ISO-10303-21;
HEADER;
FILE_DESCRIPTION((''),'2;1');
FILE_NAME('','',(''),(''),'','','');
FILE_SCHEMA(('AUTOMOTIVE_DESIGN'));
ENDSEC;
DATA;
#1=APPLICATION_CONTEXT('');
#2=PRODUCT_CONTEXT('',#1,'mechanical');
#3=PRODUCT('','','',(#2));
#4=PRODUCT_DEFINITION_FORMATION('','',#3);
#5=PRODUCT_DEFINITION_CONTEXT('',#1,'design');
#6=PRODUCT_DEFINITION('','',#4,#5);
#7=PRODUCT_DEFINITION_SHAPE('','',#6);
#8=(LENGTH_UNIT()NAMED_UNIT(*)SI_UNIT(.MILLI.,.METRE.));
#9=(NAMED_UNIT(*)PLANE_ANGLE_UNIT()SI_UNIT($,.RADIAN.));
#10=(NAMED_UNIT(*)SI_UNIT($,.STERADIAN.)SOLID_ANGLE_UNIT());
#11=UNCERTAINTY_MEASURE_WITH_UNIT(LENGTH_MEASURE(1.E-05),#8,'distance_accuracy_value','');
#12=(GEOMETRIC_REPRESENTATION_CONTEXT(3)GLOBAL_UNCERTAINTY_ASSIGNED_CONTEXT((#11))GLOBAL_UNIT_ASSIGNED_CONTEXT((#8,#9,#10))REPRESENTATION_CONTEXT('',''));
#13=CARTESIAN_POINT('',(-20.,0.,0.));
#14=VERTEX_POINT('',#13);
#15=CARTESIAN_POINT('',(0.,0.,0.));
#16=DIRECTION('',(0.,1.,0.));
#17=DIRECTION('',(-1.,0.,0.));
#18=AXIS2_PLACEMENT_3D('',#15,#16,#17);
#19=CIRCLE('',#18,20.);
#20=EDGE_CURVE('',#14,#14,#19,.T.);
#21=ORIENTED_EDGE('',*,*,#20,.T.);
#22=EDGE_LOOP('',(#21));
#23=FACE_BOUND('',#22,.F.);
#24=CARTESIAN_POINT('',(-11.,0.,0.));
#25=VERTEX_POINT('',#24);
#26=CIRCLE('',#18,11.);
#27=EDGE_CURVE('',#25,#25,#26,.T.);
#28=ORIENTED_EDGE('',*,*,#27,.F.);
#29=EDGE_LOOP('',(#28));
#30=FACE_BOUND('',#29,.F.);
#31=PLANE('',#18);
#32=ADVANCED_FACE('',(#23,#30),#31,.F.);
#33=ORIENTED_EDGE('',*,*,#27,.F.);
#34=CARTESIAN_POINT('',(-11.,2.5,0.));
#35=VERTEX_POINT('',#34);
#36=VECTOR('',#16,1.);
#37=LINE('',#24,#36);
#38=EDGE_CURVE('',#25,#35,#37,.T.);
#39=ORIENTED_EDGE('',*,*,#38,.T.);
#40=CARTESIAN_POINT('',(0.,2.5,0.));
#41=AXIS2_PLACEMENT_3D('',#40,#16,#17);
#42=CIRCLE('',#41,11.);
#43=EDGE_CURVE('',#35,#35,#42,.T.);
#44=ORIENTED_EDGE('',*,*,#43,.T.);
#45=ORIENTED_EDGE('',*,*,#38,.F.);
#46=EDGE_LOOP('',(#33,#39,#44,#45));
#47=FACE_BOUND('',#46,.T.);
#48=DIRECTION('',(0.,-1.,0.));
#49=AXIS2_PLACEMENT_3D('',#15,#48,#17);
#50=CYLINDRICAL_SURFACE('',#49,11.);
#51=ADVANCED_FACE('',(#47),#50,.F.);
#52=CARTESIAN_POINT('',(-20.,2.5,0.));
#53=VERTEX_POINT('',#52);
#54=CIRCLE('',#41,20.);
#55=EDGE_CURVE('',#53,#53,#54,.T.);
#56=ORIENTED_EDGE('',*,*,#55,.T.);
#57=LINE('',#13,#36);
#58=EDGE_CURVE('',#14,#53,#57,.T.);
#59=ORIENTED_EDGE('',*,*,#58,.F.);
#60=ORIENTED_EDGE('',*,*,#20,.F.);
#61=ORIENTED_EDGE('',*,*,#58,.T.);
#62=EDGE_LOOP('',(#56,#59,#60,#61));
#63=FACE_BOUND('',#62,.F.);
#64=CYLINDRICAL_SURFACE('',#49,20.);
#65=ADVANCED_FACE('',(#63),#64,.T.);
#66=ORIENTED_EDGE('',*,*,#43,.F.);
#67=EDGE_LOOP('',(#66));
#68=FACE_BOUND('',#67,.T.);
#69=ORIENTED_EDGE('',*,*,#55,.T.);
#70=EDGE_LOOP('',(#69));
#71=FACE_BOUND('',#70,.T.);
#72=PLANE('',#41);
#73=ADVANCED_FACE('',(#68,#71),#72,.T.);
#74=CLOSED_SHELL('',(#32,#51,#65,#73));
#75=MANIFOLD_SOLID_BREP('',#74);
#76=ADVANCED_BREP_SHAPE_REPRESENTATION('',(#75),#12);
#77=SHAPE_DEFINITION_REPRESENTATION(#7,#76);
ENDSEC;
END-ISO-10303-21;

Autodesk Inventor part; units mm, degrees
ref_plane "YZ Plane" through (0, 0, 0) normal (1, 0, 0) x (0, 1, 0)
ref_plane "XZ Plane" through (0, 0, 0) normal (0, 1, 0) x (-1, 0, 0)
ref_plane "XY Plane" through (0, 0, 0) normal (0, 0, 1) x (1, 0, 0)
sketch "スケッチ1" plane through (0, 0, 0) normal (0, 1, 0) x (-1, 0, 0)
  circle A0 centre (0, 0) radius 11
  circle A1 centre (0, 0) radius 20
  dimension "d0" = 22
  dimension "d1" = 40
extrude "押し出し1" add sketch "スケッチ1" along normal blind 2.5
properties part number "spacer"
